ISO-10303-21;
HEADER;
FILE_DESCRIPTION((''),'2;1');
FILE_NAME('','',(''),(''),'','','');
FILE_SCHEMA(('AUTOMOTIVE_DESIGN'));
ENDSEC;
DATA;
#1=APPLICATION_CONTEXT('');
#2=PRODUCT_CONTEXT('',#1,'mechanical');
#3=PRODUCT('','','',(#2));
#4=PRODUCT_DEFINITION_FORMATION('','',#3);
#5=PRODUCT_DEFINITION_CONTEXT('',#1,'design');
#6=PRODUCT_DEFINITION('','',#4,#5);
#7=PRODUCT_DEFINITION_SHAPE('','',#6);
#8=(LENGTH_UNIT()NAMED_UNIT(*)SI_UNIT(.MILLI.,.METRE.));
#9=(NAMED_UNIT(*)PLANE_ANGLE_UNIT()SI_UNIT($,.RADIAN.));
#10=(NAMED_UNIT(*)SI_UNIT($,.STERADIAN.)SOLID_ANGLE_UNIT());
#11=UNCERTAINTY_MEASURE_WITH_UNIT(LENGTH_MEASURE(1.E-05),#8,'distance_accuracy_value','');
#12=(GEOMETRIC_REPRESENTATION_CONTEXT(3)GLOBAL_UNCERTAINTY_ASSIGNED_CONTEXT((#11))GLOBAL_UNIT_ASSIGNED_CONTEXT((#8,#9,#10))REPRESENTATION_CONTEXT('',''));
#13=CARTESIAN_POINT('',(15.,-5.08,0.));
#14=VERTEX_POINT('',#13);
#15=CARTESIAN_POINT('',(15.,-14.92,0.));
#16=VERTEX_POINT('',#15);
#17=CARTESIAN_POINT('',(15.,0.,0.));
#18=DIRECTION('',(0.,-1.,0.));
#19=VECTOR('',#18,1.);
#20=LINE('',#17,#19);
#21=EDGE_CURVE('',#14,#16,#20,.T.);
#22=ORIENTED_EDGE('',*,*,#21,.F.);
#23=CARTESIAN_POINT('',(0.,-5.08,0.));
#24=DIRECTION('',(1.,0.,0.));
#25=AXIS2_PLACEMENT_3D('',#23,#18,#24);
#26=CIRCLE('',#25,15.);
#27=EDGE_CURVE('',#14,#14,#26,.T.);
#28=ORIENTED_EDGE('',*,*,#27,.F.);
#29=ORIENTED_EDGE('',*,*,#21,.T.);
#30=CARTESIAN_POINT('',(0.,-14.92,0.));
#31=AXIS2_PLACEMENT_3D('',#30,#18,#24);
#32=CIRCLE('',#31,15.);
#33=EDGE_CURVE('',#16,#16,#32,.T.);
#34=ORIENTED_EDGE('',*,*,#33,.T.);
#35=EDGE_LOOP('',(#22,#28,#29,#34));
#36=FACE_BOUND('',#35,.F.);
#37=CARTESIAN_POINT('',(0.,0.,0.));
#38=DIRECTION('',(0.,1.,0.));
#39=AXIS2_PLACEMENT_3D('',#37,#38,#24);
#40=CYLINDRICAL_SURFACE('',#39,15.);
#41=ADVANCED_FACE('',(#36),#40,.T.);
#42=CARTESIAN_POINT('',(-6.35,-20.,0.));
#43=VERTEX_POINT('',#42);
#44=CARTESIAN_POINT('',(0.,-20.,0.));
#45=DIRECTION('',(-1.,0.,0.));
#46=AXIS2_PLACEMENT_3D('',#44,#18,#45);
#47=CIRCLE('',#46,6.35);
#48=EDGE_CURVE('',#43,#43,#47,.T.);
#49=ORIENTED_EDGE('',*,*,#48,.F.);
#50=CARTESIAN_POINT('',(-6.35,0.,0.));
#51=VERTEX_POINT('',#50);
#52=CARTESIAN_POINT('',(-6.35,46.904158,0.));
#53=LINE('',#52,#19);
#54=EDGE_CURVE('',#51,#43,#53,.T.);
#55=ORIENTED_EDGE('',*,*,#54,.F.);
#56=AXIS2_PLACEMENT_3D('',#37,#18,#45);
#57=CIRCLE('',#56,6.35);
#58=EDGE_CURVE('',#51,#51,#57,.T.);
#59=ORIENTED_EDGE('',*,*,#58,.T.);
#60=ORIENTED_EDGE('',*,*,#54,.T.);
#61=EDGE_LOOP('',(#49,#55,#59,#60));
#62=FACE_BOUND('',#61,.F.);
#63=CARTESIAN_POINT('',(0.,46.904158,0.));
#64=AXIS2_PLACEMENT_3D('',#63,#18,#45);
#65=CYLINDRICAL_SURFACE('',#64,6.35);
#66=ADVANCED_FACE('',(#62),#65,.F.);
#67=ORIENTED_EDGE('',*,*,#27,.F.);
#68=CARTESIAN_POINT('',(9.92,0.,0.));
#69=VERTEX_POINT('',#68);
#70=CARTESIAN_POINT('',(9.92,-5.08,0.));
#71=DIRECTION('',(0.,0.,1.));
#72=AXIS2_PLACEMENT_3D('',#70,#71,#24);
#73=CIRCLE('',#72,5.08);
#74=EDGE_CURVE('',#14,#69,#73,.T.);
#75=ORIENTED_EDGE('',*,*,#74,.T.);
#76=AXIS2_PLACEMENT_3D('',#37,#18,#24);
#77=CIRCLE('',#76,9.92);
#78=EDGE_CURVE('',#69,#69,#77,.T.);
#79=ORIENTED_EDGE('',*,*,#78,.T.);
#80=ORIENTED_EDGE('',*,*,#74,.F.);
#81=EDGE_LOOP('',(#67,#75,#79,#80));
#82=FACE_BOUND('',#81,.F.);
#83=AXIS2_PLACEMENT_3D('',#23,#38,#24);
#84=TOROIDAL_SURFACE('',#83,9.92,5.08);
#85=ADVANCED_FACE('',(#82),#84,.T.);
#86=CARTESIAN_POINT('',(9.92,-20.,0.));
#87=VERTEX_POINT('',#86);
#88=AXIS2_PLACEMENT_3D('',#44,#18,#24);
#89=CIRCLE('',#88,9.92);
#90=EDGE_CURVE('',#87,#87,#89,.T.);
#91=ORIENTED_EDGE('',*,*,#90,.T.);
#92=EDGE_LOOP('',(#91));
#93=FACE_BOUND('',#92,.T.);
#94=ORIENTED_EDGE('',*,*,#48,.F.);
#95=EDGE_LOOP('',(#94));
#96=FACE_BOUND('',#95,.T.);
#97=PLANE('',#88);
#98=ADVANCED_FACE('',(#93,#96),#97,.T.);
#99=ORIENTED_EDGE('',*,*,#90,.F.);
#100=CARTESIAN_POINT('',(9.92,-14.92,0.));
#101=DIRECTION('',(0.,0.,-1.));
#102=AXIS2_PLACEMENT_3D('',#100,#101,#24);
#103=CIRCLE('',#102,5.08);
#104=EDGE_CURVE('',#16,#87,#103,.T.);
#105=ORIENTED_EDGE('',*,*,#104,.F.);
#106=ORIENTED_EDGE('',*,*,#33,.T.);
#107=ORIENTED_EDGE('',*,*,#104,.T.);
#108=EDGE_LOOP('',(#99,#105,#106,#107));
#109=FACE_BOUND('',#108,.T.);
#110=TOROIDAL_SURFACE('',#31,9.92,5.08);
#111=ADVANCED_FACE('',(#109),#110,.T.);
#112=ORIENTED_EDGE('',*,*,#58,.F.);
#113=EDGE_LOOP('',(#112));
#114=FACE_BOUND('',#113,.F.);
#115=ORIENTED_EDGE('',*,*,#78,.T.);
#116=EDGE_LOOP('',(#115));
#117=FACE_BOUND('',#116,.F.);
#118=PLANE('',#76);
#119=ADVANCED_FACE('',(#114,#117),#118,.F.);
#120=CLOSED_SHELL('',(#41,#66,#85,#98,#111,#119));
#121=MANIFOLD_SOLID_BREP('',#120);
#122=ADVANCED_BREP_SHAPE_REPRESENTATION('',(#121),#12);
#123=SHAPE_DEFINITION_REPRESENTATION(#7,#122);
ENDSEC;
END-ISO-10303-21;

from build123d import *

# Parameters (mm, degrees)
F0_R     = 15
F1_DEPTH = 20
F2_R     = 5.08
F3_R     = 5.08
F5_D     = 12.7


with BuildPart() as f1:
    # F0 (on Front) → F1 (new body)
    with BuildSketch(Plane.XZ):
        Circle(F0_R)
    extrude(amount=F1_DEPTH)

    # F2
    f2_edges = [f1.edges().sort_by_distance(p)[0] for p in [
        (-15, -20, 0),
    ]]
    fillet(f2_edges, radius=F2_R)

    # F3
    f3_edges = [f1.edges().sort_by_distance(p)[0] for p in [
        (15, -7.46, 0),
        (-15, -14.92, 0),
        (-15, 0, 0),
    ]]
    fillet(f3_edges, radius=F3_R)

    # F5 (through all)
    with Locations(Plane(origin=(0, 0, 0), x_dir=(1, 0, 0), z_dir=(0, 1, 0))):
        with Locations((0, 0)):
            Hole(F5_D / 2)


solid = f1.part
